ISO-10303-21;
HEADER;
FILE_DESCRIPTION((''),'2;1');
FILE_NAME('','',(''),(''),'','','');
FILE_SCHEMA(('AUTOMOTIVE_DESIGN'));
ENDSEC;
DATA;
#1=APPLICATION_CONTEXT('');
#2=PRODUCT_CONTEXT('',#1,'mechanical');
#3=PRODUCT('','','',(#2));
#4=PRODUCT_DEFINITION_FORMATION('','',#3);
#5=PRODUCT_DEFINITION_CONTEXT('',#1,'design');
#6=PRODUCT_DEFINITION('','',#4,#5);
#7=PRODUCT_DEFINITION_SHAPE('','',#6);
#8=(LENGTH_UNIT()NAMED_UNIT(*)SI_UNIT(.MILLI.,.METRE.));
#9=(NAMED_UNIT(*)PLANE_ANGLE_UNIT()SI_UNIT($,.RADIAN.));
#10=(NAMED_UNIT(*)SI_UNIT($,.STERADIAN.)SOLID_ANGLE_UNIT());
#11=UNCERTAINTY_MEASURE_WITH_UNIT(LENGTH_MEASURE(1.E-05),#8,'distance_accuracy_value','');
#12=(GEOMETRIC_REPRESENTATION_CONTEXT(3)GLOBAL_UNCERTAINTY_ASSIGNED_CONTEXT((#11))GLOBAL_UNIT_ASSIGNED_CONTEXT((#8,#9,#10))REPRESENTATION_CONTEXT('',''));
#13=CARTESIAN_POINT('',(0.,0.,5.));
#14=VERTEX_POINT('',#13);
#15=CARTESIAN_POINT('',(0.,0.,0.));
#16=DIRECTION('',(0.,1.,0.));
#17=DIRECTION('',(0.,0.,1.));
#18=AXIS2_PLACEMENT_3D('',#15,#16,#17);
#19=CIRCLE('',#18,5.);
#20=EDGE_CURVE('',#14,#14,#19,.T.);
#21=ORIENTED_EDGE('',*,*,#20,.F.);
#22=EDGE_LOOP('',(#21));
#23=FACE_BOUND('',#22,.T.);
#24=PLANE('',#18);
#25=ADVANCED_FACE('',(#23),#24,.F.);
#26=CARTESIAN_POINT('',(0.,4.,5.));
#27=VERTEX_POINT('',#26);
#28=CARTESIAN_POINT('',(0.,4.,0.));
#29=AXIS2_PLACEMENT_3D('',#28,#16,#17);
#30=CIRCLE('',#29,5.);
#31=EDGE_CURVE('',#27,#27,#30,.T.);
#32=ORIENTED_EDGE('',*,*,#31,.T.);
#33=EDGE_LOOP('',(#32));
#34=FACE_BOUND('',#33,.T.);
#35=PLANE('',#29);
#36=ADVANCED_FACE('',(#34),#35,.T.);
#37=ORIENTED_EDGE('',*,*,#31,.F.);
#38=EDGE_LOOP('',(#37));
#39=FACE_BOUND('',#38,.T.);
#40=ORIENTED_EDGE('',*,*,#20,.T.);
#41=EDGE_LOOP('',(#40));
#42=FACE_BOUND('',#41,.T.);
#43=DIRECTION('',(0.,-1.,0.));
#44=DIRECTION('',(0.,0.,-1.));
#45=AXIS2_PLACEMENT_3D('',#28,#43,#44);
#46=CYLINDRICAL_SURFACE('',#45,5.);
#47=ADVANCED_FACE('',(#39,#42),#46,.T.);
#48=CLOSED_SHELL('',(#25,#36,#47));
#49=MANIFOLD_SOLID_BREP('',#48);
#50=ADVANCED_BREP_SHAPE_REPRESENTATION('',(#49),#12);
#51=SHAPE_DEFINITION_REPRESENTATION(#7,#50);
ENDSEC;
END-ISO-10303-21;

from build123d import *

# Parameters (mm, degrees)
SKETCH_1_R      = 5
EXTRUDE_1_DEPTH = 4


with BuildPart() as part:
    # 草圖1 → 填料-伸長1 (new body)
    with BuildSketch(Plane(origin=(0, 0, 0), x_dir=(1, 0, 0), z_dir=(0, 1, 0))):
        Circle(SKETCH_1_R)
    extrude(amount=EXTRUDE_1_DEPTH)


solid = part.part
